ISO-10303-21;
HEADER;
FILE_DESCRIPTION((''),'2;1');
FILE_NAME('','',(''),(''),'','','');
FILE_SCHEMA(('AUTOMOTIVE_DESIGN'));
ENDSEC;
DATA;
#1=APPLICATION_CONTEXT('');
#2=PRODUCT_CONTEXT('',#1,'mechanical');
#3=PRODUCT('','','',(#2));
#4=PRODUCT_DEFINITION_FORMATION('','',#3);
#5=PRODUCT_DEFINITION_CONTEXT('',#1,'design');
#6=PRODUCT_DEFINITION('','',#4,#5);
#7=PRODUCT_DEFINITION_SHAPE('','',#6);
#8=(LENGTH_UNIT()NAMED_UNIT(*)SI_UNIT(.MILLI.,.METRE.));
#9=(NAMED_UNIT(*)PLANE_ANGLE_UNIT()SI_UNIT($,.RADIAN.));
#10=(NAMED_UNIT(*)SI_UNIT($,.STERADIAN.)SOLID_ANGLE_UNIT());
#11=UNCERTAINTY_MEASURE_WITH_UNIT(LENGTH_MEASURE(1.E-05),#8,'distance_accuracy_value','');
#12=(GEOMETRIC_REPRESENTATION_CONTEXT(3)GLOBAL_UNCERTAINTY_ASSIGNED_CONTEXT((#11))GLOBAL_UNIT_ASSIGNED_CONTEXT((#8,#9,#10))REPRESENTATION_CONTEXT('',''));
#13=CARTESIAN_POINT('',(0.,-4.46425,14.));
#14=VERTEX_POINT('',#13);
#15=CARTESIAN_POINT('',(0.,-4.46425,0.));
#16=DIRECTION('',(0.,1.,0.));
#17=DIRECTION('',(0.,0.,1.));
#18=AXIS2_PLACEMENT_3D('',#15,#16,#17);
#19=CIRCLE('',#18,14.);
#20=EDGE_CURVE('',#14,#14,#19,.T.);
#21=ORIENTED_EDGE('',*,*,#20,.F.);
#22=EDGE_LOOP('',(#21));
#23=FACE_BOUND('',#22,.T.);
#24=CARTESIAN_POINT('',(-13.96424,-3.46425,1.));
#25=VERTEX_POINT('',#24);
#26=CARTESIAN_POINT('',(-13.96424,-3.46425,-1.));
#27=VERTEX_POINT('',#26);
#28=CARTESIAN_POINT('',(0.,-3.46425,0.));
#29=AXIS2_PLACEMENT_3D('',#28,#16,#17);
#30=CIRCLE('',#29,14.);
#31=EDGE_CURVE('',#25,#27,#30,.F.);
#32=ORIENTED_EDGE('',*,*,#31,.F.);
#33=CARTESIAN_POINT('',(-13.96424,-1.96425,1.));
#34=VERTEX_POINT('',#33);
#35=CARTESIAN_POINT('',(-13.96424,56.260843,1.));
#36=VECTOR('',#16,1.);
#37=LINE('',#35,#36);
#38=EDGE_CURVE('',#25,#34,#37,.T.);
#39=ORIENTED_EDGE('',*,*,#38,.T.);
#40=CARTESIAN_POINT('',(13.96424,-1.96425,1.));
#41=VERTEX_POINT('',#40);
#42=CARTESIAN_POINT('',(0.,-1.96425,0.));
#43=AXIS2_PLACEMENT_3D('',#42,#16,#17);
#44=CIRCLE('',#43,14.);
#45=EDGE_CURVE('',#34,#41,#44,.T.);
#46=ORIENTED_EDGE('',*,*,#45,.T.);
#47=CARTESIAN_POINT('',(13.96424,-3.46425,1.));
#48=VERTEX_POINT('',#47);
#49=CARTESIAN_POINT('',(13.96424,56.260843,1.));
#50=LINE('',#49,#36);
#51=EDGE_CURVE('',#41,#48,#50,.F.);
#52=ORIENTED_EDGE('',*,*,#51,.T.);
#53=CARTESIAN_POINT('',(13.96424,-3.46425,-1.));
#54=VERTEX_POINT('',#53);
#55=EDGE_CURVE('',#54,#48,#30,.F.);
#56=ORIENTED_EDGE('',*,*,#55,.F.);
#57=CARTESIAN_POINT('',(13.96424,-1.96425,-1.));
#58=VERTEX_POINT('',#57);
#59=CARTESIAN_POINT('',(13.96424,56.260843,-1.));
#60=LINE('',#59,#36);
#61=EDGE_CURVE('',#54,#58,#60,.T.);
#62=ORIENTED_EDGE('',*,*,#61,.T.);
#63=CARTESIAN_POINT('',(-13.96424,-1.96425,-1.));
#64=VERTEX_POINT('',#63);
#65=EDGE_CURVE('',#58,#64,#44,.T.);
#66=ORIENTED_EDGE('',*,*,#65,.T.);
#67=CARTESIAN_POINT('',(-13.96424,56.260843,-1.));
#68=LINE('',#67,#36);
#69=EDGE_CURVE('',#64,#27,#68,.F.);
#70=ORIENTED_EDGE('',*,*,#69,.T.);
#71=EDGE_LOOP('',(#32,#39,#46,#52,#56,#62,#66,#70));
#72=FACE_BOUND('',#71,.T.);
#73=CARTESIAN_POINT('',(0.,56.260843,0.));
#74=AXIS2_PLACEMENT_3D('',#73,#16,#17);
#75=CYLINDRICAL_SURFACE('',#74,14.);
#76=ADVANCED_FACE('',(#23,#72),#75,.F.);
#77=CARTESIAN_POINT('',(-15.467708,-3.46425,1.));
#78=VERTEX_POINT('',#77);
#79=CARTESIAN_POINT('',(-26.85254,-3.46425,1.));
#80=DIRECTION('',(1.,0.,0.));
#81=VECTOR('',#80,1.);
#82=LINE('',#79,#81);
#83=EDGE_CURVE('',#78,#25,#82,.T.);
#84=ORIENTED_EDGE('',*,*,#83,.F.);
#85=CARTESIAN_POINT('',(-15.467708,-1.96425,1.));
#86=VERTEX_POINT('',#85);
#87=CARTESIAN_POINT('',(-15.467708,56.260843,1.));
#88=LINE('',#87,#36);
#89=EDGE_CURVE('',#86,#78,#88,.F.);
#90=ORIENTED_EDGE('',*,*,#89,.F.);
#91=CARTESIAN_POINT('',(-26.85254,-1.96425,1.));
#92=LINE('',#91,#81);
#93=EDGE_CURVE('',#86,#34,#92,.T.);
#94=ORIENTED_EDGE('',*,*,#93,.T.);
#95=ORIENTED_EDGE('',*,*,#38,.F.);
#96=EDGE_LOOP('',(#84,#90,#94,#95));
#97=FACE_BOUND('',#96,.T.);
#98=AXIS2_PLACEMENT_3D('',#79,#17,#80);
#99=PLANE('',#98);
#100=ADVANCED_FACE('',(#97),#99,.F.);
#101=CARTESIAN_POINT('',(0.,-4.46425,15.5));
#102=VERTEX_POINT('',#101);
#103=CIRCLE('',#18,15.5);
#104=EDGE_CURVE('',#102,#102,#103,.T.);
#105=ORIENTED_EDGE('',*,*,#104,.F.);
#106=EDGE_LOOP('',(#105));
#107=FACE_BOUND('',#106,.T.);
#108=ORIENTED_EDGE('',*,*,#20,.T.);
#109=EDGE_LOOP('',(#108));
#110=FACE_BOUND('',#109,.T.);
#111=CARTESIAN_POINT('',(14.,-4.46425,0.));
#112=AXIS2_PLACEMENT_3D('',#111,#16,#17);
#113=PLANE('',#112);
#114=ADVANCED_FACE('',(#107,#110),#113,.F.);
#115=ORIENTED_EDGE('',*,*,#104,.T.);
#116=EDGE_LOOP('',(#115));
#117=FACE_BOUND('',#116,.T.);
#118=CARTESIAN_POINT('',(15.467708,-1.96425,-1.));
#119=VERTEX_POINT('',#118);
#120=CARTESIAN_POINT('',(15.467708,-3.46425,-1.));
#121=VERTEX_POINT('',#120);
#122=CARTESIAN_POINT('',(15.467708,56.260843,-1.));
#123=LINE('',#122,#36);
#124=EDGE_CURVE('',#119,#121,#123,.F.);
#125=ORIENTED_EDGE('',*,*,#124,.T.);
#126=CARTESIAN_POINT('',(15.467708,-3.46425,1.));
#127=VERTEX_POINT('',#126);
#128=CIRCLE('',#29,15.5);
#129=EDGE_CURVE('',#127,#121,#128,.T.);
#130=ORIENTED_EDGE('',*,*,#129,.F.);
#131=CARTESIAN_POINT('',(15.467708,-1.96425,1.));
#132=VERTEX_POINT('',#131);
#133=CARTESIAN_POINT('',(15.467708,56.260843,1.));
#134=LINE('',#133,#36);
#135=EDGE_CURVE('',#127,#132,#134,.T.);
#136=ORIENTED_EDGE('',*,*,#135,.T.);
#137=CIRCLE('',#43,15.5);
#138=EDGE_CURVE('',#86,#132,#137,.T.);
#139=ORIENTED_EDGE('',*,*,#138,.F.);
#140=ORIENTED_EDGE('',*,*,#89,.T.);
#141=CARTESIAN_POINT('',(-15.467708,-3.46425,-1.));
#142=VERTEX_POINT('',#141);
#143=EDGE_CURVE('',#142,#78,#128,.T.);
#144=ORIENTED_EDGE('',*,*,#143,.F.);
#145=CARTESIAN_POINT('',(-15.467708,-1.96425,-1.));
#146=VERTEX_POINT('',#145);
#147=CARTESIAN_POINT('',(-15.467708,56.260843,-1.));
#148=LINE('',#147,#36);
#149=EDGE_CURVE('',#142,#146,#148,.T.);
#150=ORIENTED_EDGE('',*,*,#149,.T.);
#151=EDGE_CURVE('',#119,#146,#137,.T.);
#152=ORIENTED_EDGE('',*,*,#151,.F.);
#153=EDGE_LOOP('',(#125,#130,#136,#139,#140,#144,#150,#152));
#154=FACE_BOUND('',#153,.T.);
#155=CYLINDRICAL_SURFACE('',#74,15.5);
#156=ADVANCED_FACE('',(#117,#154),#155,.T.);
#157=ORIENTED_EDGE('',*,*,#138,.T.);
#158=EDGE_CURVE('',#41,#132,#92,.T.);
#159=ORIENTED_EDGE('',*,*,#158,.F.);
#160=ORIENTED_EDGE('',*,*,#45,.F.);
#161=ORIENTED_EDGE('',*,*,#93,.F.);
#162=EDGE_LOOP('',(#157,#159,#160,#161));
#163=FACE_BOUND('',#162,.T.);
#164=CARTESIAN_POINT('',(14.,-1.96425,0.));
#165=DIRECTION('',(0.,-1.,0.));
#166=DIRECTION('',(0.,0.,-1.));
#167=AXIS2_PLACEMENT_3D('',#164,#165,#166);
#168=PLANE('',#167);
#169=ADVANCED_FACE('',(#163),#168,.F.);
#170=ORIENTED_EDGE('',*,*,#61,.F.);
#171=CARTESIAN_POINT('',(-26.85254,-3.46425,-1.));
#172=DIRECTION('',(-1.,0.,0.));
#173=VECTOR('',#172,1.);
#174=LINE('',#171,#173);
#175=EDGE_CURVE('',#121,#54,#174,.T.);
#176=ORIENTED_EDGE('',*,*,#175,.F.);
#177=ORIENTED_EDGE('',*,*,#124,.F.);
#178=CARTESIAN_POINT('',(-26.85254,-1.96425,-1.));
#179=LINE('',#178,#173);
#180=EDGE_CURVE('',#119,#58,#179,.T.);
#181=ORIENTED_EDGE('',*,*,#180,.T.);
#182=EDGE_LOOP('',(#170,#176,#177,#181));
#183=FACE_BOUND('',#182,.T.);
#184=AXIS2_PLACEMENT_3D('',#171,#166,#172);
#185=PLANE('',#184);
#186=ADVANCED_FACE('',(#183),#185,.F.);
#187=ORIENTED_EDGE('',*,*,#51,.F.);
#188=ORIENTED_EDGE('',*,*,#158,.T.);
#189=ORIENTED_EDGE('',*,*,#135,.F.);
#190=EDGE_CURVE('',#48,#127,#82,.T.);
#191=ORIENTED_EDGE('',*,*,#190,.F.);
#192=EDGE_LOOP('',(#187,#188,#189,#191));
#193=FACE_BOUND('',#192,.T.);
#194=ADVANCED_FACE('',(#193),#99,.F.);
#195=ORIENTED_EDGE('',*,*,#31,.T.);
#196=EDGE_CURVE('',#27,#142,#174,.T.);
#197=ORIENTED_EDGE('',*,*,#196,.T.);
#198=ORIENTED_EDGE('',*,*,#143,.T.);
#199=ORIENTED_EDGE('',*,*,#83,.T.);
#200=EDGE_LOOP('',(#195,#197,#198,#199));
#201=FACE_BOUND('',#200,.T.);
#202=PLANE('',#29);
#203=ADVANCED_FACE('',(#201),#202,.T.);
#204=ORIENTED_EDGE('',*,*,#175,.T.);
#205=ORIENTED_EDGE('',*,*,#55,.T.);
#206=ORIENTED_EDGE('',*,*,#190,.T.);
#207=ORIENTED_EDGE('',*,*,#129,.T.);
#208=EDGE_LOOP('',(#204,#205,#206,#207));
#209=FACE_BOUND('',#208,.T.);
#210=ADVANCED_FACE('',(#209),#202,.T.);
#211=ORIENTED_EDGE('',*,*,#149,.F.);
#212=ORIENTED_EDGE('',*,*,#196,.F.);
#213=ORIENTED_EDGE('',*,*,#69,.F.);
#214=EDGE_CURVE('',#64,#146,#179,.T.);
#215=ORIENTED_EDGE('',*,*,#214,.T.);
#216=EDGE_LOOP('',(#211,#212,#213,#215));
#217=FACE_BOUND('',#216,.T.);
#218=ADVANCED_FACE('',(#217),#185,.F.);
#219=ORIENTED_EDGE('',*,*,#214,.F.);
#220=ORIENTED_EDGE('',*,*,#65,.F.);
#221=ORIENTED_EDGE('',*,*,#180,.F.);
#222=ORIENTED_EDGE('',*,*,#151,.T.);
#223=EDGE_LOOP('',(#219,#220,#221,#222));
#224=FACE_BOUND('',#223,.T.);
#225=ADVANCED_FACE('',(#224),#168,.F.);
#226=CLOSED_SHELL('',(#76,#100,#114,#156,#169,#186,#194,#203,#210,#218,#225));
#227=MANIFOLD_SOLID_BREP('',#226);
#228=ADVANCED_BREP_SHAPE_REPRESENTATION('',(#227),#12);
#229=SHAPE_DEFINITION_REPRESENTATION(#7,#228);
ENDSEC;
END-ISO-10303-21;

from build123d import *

# Parameters (mm, degrees)
SKETCH_1_W          = 1.5
SKETCH_1_H          = 2.5
SKETCH_2_W          = 53.705080546
SKETCH_2_H          = 2
CUT_EXTRUDE_1_DEPTH = 1.5


with BuildPart() as part:
    # 草图1 → 旋转1 (revolve)
    with BuildSketch(Plane.XY, mode=Mode.PRIVATE) as revolve_1_sk:
        with Locations((14.75, -3.214249787)):
            Rectangle(SKETCH_1_W, SKETCH_1_H)
    revolve(revolve_1_sk.sketch.rotate(Axis((0, 56.260842627, 0), (0, -1, 0)), 90), axis=Axis((0, 56.260842627, 0), (0, -1, 0)))  # turned: the seam where the file's is

    # 草图2 → 切除-拉伸1 (cut)
    with BuildSketch(Plane(origin=(0, -1.964249787, 0), x_dir=(1, 0, 0), z_dir=(0, 1, 0))):
        Rectangle(SKETCH_2_W, SKETCH_2_H)
    extrude(amount=-CUT_EXTRUDE_1_DEPTH, mode=Mode.SUBTRACT)


solid = part.part
